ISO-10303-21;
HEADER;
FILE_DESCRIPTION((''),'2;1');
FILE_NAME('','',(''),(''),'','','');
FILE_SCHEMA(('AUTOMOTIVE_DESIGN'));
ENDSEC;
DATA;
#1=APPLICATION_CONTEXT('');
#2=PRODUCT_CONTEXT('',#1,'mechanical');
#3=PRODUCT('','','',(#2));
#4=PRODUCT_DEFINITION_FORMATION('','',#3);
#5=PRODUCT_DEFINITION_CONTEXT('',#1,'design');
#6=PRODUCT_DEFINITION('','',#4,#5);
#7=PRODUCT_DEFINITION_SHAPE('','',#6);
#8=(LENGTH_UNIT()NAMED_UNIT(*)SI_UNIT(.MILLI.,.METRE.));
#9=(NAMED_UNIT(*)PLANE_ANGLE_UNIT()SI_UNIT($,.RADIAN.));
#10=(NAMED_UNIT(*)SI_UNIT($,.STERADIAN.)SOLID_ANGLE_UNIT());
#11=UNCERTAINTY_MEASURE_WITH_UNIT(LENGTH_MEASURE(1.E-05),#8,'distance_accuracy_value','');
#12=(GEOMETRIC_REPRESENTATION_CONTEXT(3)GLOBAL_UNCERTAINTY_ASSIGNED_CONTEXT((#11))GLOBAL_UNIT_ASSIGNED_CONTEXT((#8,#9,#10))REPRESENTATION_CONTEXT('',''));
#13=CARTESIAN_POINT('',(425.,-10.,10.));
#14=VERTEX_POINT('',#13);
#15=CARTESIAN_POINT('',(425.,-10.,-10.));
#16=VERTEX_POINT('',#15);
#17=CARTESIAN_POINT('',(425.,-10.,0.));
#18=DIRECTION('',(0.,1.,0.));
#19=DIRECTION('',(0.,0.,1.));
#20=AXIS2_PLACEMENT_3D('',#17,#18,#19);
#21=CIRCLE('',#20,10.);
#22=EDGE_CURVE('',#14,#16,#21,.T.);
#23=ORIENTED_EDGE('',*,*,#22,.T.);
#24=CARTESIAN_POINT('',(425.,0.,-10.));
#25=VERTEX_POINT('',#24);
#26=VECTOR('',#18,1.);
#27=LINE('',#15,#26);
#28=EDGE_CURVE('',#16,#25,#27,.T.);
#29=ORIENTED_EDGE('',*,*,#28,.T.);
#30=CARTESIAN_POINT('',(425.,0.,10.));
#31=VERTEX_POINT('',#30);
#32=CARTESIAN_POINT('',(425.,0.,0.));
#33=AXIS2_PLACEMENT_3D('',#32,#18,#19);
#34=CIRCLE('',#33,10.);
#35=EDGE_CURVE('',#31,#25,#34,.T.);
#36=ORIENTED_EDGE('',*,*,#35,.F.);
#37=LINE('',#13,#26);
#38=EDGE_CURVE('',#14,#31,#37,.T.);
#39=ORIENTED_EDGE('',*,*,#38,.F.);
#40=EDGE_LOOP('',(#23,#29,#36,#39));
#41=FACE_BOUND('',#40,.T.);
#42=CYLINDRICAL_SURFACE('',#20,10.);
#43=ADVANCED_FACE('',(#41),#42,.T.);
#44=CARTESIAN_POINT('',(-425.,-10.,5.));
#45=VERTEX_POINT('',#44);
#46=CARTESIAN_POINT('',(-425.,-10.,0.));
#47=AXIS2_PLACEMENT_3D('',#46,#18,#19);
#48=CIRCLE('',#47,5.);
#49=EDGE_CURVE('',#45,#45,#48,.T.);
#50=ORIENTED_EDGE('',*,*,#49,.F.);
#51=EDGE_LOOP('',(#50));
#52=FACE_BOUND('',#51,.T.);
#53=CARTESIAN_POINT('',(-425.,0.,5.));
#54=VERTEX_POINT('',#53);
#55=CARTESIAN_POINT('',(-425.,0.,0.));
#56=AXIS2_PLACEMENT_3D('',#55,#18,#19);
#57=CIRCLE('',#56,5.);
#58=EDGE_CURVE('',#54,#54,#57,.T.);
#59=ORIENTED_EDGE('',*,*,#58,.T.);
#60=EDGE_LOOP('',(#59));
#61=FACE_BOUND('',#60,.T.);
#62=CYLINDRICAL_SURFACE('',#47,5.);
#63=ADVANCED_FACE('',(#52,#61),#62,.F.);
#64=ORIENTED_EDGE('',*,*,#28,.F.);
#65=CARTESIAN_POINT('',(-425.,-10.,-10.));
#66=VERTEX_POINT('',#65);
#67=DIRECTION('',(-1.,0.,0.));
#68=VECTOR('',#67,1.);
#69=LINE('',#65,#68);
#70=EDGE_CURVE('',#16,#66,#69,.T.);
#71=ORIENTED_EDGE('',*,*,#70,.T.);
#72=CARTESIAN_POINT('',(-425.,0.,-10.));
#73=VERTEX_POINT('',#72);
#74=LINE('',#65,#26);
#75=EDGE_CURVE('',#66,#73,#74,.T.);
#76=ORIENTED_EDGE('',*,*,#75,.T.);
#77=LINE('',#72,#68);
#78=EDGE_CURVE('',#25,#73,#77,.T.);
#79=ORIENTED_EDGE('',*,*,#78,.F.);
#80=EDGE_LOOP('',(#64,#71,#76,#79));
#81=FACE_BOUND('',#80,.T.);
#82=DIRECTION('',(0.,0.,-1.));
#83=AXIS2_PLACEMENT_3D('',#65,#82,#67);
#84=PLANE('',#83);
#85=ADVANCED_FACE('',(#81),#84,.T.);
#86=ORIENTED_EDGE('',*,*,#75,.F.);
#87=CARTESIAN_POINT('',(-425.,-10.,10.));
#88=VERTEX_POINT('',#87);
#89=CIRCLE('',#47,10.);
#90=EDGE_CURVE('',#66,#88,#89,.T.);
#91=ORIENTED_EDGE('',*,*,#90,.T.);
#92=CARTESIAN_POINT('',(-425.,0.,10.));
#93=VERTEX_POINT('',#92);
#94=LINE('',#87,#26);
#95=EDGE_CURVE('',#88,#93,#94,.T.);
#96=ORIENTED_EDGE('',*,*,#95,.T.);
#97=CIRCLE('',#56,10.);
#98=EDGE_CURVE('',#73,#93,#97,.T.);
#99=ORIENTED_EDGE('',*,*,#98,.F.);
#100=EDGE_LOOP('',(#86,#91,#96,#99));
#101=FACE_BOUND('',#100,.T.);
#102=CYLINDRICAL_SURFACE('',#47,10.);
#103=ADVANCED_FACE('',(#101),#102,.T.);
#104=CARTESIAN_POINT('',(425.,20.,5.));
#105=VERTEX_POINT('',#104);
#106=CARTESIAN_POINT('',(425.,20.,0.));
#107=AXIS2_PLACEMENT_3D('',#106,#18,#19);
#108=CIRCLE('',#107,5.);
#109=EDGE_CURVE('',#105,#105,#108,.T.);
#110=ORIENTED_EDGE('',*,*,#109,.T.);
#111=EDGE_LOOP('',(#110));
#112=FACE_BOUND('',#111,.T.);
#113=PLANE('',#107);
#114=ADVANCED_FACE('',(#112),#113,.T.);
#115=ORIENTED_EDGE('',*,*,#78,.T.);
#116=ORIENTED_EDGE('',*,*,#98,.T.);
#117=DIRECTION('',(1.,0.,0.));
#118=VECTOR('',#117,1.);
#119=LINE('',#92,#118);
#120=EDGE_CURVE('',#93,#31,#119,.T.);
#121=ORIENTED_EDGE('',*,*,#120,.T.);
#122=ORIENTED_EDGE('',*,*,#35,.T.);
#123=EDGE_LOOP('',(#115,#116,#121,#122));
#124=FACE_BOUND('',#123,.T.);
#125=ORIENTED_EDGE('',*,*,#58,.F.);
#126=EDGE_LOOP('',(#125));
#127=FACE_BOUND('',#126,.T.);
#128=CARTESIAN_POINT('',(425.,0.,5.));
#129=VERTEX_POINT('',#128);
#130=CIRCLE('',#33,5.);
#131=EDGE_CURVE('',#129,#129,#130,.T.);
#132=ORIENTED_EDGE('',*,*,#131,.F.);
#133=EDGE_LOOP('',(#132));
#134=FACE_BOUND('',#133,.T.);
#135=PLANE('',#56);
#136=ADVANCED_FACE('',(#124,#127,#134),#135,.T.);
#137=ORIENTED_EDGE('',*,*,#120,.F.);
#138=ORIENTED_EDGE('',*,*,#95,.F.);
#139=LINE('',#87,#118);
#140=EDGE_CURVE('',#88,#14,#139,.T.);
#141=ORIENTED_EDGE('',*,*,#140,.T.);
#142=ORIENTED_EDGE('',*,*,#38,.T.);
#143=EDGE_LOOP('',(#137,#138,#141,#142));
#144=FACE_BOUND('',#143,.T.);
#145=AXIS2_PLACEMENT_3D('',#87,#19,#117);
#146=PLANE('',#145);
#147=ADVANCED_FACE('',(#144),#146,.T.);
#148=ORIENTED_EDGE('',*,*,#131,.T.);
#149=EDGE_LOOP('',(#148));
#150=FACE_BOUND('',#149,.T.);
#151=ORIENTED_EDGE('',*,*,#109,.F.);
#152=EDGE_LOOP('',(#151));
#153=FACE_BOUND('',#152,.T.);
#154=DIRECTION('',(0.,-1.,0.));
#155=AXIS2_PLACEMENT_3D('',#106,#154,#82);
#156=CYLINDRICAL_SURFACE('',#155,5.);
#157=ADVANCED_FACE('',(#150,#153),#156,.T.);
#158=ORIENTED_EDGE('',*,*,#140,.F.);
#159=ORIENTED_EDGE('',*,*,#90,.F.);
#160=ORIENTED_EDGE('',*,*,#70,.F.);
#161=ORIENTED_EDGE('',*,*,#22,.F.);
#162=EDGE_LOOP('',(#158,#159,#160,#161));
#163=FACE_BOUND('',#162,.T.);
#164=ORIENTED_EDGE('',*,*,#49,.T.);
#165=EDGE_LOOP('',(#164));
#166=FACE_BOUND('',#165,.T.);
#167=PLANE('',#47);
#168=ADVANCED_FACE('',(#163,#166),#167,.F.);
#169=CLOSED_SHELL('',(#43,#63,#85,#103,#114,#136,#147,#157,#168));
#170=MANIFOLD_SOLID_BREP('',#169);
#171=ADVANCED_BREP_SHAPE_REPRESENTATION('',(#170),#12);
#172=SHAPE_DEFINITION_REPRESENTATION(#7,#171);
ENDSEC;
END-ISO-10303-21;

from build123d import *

# Parameters (mm, degrees)
SKETCH5_R           = 5
BOSS_EXTRUDE1_DEPTH = 10
SKETCH7_R           = 5
BOSS_EXTRUDE2_DEPTH = 20


with BuildPart() as part:
    # Sketch5 → Boss-Extrude1 (new body)
    with BuildSketch(Plane(origin=(0, 0, 0), x_dir=(1, 0, 0), z_dir=(0, 1, 0))):
        with BuildLine():
            Line((-425, 10), (425, 10))
            ThreePointArc((425, 10), (435, 0), (425, -10))
            Line((425, -10), (-425, -10))
            ThreePointArc((-425, -10), (-435, 0), (-425, 10))
        make_face()
        with Locations((-425, 0)):
            Circle(SKETCH5_R, mode=Mode.SUBTRACT)
    extrude(amount=-BOSS_EXTRUDE1_DEPTH)

    # Sketch7 → Boss-Extrude2 (add)
    with BuildSketch(Plane(origin=(0, 0, 0), x_dir=(1, 0, 0), z_dir=(0, 1, 0))):
        with Locations((425, 0)):
            Circle(SKETCH7_R)
    extrude(amount=BOSS_EXTRUDE2_DEPTH)


solid = part.part
